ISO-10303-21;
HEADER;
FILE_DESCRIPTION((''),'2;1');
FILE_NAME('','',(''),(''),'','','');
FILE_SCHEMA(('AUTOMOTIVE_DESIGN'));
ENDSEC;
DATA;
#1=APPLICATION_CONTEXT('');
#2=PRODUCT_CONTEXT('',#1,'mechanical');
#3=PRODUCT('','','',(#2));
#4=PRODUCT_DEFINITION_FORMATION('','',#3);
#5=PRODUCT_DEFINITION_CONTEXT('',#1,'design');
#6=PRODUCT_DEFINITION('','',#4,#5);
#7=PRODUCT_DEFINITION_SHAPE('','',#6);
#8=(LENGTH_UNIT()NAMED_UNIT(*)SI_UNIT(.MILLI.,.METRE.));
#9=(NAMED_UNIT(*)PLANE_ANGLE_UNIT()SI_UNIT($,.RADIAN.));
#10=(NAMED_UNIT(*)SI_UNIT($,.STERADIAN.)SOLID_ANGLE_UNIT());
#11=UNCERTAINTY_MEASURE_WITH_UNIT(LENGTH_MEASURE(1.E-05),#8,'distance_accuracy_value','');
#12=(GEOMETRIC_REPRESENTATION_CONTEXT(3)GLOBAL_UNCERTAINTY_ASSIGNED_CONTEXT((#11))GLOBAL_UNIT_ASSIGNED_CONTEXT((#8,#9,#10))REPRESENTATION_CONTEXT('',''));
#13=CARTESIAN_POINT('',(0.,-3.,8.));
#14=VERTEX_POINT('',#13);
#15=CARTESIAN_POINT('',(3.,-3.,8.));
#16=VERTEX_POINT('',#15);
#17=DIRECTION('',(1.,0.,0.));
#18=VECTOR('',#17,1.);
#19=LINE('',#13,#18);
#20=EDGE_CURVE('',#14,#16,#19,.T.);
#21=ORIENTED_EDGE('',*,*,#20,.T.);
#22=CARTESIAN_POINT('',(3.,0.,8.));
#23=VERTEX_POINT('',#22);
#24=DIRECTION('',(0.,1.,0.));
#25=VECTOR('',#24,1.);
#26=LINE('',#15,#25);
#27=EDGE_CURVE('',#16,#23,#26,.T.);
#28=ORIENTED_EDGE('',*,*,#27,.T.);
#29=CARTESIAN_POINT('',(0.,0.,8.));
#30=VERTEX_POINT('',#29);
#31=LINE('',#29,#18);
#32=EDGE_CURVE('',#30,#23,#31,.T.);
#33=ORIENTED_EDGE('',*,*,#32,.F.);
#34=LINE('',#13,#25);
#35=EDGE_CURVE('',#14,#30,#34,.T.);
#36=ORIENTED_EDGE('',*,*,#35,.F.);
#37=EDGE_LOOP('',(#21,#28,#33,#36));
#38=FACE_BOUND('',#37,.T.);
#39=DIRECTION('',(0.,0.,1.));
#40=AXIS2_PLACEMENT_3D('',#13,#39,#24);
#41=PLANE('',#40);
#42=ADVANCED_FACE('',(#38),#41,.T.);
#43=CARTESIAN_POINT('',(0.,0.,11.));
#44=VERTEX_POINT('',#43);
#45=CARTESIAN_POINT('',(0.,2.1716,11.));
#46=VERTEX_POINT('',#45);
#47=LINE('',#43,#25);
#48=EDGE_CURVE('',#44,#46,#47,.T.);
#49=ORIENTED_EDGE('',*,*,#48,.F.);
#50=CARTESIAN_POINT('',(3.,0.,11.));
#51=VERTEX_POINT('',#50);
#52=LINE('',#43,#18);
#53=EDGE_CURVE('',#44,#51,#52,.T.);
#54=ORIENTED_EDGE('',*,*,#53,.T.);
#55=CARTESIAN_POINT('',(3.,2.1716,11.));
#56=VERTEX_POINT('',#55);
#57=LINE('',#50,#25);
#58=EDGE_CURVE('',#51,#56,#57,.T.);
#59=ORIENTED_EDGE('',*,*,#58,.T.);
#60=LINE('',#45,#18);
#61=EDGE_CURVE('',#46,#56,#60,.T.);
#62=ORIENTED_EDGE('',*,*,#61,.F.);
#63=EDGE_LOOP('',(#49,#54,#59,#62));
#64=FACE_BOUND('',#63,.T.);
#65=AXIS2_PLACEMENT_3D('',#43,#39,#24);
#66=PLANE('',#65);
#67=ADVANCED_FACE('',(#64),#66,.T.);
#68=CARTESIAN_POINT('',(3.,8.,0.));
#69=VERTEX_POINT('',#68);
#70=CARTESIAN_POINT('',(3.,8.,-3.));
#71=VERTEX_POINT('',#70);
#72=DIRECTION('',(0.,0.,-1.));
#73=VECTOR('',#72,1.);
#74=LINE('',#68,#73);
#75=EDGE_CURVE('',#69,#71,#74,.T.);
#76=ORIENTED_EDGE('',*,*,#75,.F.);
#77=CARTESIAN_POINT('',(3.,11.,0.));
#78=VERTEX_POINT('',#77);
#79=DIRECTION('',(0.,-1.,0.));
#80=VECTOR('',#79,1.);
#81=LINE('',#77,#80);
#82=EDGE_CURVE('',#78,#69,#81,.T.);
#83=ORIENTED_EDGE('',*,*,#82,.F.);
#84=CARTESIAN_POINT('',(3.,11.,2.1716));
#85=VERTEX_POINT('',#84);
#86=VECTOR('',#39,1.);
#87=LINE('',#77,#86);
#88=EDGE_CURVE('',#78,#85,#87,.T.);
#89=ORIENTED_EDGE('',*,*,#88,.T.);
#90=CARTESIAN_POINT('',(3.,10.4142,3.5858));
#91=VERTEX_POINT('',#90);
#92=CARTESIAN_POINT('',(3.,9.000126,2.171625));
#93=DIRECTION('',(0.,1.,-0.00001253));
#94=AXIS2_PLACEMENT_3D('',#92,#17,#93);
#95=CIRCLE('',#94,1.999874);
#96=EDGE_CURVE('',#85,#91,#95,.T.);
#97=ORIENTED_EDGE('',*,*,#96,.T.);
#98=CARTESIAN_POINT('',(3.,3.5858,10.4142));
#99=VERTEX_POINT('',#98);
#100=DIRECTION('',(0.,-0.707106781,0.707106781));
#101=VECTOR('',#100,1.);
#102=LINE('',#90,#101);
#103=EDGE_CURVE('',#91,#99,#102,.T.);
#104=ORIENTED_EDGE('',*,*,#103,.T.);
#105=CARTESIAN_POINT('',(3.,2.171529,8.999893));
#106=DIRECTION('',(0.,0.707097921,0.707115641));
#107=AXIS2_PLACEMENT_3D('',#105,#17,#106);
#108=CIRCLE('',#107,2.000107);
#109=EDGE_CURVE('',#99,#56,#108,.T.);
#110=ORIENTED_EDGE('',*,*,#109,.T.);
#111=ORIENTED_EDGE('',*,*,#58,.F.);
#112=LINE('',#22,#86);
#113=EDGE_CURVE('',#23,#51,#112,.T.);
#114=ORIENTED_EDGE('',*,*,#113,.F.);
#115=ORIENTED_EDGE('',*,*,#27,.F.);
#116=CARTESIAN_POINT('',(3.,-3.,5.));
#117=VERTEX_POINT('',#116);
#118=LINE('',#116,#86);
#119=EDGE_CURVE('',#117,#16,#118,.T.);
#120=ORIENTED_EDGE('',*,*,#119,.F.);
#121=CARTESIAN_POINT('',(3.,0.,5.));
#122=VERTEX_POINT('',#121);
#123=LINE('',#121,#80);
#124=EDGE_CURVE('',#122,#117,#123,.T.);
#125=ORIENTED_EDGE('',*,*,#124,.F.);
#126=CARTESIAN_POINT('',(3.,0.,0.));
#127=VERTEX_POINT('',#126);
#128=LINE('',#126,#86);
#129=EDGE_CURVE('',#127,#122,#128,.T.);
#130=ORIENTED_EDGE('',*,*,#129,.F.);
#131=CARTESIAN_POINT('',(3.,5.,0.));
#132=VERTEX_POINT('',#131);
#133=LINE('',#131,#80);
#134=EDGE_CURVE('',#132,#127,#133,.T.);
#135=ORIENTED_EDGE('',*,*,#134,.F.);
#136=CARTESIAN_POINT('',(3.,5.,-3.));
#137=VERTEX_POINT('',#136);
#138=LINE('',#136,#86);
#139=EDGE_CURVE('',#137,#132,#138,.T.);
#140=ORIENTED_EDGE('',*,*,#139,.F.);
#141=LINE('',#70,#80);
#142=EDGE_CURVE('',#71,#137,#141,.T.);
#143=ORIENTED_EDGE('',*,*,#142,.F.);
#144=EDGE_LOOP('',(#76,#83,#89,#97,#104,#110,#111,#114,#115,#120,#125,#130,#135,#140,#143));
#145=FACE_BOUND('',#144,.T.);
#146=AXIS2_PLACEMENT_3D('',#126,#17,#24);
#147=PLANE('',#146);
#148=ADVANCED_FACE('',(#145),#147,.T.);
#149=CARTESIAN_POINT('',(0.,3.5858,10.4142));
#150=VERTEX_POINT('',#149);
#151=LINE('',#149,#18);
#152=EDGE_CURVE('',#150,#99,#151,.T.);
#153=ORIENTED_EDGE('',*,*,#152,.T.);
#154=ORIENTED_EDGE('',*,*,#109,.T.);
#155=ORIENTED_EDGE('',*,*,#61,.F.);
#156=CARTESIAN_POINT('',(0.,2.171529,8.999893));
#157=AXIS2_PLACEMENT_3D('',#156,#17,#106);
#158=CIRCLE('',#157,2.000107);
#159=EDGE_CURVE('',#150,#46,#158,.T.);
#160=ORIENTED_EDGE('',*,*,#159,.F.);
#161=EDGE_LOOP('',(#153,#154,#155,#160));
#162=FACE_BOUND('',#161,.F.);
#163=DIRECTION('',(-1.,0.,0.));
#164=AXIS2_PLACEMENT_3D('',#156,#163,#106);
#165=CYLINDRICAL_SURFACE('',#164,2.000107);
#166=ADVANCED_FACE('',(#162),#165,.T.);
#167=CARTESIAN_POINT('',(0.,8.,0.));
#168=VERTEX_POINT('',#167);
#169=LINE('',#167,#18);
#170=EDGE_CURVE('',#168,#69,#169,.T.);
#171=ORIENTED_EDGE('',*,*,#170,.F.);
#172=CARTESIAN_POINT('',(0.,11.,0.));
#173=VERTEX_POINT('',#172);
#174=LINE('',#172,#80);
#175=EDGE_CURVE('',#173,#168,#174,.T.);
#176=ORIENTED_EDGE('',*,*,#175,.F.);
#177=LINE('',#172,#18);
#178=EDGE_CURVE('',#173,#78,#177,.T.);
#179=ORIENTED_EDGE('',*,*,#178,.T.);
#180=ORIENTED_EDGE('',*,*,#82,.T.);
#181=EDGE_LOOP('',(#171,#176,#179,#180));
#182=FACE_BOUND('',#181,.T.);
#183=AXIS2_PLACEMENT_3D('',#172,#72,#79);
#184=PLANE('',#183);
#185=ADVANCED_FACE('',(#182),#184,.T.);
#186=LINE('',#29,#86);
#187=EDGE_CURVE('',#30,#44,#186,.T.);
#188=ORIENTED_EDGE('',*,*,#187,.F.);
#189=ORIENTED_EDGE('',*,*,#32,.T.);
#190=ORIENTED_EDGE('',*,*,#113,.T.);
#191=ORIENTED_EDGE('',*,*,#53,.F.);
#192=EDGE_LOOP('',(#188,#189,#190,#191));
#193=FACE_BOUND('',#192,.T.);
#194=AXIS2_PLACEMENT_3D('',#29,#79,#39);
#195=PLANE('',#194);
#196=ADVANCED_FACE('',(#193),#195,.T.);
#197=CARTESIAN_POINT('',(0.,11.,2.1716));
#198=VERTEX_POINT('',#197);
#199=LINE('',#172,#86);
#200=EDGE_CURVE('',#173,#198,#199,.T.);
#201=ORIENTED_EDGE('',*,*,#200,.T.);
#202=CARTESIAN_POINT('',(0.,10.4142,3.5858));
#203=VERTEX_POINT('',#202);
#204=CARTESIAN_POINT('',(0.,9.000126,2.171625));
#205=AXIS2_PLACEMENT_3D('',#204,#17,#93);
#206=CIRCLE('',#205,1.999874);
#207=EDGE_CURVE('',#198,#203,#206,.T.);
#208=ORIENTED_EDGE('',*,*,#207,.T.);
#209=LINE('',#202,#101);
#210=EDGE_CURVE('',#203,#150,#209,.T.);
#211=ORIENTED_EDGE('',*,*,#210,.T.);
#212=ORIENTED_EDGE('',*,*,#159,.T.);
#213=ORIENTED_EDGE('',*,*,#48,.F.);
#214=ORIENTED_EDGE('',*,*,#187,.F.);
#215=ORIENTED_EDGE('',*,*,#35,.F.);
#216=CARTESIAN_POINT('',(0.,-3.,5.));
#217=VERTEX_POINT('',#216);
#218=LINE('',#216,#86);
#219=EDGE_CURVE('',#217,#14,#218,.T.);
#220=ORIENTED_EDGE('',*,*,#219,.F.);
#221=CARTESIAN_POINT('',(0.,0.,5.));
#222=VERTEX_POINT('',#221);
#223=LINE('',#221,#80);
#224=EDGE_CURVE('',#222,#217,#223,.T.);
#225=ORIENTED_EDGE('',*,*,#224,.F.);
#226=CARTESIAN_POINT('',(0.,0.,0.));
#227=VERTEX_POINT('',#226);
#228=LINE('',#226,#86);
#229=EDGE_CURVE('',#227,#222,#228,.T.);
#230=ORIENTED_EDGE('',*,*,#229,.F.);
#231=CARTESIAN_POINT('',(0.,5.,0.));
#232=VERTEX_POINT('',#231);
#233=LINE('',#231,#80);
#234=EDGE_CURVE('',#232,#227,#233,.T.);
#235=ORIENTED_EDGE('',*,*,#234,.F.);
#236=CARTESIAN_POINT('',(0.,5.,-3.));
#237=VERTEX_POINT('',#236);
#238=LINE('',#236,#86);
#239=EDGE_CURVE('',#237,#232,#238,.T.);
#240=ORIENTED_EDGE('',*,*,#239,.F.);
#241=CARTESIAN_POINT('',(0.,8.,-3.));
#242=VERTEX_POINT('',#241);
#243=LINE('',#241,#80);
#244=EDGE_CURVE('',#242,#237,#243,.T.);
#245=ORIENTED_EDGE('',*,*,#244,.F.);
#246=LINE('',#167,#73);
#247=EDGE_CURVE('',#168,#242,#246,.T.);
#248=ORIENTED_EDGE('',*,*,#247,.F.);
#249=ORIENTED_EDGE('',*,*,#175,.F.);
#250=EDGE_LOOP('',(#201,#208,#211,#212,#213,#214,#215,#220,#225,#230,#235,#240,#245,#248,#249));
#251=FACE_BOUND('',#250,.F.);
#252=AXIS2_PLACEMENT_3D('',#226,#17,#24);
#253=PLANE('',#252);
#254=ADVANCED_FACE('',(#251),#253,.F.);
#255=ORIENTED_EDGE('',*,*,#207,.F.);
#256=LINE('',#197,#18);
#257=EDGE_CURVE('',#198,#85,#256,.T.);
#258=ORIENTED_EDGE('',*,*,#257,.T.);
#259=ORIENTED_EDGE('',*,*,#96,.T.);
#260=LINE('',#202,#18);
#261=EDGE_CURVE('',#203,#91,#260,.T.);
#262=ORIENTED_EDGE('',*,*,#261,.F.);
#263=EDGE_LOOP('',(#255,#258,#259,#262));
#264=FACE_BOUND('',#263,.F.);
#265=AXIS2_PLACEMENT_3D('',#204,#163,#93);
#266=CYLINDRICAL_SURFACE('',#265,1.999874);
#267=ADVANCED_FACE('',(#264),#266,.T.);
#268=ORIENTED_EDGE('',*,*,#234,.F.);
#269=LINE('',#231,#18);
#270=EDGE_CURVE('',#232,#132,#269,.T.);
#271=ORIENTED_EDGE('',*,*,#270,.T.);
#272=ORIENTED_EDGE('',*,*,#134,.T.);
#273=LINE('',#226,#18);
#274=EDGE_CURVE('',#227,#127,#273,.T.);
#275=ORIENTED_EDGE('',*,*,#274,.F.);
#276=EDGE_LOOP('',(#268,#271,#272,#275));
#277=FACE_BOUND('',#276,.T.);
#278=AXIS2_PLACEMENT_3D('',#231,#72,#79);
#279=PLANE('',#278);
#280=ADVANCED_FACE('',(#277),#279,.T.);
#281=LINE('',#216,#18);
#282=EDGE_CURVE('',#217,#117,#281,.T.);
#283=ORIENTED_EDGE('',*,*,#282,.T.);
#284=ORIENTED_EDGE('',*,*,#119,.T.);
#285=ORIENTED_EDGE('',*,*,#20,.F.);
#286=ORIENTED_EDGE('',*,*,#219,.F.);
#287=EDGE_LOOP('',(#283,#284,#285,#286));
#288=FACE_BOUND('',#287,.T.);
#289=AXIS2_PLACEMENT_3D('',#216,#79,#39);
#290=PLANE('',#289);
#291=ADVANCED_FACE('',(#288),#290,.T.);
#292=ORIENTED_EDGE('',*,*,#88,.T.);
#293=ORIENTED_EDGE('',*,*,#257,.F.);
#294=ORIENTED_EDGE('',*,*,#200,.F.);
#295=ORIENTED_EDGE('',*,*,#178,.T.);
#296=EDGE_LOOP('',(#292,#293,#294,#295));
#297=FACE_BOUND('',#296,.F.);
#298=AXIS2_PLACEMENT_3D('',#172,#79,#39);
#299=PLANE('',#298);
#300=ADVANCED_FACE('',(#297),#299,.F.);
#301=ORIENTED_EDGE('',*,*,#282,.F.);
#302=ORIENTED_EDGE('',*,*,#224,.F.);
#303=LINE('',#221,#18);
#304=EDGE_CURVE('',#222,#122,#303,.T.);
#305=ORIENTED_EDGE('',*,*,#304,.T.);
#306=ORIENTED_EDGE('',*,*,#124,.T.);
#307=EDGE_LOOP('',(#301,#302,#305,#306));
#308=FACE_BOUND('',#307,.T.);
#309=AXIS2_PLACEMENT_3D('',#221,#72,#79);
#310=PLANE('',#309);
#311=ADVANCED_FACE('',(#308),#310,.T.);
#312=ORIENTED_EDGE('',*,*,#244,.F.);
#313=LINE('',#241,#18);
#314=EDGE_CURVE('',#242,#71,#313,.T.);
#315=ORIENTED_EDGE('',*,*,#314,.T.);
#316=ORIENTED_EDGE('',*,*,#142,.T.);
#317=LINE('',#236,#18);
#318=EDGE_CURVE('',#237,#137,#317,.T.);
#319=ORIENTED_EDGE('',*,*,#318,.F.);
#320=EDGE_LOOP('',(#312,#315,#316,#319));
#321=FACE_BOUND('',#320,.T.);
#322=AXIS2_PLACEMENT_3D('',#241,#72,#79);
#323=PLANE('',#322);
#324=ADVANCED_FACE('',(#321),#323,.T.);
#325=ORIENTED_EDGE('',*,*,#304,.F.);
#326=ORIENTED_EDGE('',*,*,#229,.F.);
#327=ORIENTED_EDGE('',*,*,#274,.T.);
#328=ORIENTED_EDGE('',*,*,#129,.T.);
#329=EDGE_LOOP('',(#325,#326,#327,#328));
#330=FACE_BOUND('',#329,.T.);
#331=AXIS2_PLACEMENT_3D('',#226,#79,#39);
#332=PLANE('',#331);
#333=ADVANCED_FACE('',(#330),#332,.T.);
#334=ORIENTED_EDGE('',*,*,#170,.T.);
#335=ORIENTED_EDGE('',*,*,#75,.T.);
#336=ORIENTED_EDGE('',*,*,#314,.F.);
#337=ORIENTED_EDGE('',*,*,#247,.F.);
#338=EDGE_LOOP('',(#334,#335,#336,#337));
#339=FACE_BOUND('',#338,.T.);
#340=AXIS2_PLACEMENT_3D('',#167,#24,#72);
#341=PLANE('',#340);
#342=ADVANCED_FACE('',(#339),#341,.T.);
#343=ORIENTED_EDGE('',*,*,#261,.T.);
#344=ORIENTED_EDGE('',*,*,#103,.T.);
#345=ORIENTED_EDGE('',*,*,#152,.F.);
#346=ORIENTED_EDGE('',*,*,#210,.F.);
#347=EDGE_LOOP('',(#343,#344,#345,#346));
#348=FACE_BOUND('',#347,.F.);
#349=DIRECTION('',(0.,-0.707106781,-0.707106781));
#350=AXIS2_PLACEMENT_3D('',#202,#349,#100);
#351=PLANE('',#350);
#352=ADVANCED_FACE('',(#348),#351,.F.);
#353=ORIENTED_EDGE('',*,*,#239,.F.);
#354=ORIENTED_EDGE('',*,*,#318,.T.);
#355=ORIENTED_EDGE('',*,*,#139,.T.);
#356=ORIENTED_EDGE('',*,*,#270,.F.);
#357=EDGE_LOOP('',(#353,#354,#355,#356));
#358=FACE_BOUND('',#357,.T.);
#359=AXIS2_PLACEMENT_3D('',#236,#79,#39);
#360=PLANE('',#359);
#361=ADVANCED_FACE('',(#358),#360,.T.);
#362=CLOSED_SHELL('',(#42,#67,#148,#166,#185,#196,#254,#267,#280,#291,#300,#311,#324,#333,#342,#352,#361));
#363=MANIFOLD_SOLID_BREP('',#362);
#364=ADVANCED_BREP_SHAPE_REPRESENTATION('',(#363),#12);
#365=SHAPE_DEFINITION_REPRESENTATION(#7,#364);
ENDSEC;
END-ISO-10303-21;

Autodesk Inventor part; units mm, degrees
ref_plane "YZ Plane" through (0, 0, 0) normal (1, 0, 0) x (0, 1, 0)
ref_plane "XZ Plane" through (0, 0, 0) normal (0, 1, 0) x (-1, 0, 0)
ref_plane "XY Plane" through (0, 0, 0) normal (0, 0, 1) x (1, 0, 0)
sketch "Sketch1" plane through (0, 0, 0) normal (1, 0, 0) x (0, 1, 0)
  line L0 (0, 0) -> (0, 5)
  line L1 (0, 5) -> (-3, 5)
  line L2 (-3, 5) -> (-3, 8)
  line L3 (-3, 8) -> (0, 8)
  line L4 (0, 8) -> (0, 11)
  line L5 (0, 11) -> (2.1716, 11)
  line L6 (11, 0) -> (8, 0)
  line L7 (8, 0) -> (8, -3)
  line L8 (8, -3) -> (5, -3)
  line L9 (5, -3) -> (5, 0)
  line L10 (5, 0) -> (0, 0)
  line L11 (11, 0) -> (11, 2.1716)
  line L12 (10.4142, 3.5858) -> (3.5858, 10.4142)
  arc A0 (3.5858, 10.4142) -> (2.1716, 11) centre (2.1716, 9) ccw
  arc A1 (11, 2.1716) -> (10.4142, 3.5858) centre (9, 2.1716) ccw
  point P0 (3, 11)
  point P1 (11, 3)
  dimension "d0" = 5
  dimension "d1" = 3
  dimension "d2" = 3
  dimension "d3" = 5
  dimension "d4" = 3
  dimension "d5" = 3
  dimension "d6" = 3
  dimension "d7" = 3
  dimension "d8" = 3
  dimension "d9" = 3
  dimension "d10" = 3
  dimension "d11" = 3
  dimension "d14" = 2
extrude "Extrusion1" add sketch "Sketch1" along normal blind 3
properties part number "Endplate_B Support"
